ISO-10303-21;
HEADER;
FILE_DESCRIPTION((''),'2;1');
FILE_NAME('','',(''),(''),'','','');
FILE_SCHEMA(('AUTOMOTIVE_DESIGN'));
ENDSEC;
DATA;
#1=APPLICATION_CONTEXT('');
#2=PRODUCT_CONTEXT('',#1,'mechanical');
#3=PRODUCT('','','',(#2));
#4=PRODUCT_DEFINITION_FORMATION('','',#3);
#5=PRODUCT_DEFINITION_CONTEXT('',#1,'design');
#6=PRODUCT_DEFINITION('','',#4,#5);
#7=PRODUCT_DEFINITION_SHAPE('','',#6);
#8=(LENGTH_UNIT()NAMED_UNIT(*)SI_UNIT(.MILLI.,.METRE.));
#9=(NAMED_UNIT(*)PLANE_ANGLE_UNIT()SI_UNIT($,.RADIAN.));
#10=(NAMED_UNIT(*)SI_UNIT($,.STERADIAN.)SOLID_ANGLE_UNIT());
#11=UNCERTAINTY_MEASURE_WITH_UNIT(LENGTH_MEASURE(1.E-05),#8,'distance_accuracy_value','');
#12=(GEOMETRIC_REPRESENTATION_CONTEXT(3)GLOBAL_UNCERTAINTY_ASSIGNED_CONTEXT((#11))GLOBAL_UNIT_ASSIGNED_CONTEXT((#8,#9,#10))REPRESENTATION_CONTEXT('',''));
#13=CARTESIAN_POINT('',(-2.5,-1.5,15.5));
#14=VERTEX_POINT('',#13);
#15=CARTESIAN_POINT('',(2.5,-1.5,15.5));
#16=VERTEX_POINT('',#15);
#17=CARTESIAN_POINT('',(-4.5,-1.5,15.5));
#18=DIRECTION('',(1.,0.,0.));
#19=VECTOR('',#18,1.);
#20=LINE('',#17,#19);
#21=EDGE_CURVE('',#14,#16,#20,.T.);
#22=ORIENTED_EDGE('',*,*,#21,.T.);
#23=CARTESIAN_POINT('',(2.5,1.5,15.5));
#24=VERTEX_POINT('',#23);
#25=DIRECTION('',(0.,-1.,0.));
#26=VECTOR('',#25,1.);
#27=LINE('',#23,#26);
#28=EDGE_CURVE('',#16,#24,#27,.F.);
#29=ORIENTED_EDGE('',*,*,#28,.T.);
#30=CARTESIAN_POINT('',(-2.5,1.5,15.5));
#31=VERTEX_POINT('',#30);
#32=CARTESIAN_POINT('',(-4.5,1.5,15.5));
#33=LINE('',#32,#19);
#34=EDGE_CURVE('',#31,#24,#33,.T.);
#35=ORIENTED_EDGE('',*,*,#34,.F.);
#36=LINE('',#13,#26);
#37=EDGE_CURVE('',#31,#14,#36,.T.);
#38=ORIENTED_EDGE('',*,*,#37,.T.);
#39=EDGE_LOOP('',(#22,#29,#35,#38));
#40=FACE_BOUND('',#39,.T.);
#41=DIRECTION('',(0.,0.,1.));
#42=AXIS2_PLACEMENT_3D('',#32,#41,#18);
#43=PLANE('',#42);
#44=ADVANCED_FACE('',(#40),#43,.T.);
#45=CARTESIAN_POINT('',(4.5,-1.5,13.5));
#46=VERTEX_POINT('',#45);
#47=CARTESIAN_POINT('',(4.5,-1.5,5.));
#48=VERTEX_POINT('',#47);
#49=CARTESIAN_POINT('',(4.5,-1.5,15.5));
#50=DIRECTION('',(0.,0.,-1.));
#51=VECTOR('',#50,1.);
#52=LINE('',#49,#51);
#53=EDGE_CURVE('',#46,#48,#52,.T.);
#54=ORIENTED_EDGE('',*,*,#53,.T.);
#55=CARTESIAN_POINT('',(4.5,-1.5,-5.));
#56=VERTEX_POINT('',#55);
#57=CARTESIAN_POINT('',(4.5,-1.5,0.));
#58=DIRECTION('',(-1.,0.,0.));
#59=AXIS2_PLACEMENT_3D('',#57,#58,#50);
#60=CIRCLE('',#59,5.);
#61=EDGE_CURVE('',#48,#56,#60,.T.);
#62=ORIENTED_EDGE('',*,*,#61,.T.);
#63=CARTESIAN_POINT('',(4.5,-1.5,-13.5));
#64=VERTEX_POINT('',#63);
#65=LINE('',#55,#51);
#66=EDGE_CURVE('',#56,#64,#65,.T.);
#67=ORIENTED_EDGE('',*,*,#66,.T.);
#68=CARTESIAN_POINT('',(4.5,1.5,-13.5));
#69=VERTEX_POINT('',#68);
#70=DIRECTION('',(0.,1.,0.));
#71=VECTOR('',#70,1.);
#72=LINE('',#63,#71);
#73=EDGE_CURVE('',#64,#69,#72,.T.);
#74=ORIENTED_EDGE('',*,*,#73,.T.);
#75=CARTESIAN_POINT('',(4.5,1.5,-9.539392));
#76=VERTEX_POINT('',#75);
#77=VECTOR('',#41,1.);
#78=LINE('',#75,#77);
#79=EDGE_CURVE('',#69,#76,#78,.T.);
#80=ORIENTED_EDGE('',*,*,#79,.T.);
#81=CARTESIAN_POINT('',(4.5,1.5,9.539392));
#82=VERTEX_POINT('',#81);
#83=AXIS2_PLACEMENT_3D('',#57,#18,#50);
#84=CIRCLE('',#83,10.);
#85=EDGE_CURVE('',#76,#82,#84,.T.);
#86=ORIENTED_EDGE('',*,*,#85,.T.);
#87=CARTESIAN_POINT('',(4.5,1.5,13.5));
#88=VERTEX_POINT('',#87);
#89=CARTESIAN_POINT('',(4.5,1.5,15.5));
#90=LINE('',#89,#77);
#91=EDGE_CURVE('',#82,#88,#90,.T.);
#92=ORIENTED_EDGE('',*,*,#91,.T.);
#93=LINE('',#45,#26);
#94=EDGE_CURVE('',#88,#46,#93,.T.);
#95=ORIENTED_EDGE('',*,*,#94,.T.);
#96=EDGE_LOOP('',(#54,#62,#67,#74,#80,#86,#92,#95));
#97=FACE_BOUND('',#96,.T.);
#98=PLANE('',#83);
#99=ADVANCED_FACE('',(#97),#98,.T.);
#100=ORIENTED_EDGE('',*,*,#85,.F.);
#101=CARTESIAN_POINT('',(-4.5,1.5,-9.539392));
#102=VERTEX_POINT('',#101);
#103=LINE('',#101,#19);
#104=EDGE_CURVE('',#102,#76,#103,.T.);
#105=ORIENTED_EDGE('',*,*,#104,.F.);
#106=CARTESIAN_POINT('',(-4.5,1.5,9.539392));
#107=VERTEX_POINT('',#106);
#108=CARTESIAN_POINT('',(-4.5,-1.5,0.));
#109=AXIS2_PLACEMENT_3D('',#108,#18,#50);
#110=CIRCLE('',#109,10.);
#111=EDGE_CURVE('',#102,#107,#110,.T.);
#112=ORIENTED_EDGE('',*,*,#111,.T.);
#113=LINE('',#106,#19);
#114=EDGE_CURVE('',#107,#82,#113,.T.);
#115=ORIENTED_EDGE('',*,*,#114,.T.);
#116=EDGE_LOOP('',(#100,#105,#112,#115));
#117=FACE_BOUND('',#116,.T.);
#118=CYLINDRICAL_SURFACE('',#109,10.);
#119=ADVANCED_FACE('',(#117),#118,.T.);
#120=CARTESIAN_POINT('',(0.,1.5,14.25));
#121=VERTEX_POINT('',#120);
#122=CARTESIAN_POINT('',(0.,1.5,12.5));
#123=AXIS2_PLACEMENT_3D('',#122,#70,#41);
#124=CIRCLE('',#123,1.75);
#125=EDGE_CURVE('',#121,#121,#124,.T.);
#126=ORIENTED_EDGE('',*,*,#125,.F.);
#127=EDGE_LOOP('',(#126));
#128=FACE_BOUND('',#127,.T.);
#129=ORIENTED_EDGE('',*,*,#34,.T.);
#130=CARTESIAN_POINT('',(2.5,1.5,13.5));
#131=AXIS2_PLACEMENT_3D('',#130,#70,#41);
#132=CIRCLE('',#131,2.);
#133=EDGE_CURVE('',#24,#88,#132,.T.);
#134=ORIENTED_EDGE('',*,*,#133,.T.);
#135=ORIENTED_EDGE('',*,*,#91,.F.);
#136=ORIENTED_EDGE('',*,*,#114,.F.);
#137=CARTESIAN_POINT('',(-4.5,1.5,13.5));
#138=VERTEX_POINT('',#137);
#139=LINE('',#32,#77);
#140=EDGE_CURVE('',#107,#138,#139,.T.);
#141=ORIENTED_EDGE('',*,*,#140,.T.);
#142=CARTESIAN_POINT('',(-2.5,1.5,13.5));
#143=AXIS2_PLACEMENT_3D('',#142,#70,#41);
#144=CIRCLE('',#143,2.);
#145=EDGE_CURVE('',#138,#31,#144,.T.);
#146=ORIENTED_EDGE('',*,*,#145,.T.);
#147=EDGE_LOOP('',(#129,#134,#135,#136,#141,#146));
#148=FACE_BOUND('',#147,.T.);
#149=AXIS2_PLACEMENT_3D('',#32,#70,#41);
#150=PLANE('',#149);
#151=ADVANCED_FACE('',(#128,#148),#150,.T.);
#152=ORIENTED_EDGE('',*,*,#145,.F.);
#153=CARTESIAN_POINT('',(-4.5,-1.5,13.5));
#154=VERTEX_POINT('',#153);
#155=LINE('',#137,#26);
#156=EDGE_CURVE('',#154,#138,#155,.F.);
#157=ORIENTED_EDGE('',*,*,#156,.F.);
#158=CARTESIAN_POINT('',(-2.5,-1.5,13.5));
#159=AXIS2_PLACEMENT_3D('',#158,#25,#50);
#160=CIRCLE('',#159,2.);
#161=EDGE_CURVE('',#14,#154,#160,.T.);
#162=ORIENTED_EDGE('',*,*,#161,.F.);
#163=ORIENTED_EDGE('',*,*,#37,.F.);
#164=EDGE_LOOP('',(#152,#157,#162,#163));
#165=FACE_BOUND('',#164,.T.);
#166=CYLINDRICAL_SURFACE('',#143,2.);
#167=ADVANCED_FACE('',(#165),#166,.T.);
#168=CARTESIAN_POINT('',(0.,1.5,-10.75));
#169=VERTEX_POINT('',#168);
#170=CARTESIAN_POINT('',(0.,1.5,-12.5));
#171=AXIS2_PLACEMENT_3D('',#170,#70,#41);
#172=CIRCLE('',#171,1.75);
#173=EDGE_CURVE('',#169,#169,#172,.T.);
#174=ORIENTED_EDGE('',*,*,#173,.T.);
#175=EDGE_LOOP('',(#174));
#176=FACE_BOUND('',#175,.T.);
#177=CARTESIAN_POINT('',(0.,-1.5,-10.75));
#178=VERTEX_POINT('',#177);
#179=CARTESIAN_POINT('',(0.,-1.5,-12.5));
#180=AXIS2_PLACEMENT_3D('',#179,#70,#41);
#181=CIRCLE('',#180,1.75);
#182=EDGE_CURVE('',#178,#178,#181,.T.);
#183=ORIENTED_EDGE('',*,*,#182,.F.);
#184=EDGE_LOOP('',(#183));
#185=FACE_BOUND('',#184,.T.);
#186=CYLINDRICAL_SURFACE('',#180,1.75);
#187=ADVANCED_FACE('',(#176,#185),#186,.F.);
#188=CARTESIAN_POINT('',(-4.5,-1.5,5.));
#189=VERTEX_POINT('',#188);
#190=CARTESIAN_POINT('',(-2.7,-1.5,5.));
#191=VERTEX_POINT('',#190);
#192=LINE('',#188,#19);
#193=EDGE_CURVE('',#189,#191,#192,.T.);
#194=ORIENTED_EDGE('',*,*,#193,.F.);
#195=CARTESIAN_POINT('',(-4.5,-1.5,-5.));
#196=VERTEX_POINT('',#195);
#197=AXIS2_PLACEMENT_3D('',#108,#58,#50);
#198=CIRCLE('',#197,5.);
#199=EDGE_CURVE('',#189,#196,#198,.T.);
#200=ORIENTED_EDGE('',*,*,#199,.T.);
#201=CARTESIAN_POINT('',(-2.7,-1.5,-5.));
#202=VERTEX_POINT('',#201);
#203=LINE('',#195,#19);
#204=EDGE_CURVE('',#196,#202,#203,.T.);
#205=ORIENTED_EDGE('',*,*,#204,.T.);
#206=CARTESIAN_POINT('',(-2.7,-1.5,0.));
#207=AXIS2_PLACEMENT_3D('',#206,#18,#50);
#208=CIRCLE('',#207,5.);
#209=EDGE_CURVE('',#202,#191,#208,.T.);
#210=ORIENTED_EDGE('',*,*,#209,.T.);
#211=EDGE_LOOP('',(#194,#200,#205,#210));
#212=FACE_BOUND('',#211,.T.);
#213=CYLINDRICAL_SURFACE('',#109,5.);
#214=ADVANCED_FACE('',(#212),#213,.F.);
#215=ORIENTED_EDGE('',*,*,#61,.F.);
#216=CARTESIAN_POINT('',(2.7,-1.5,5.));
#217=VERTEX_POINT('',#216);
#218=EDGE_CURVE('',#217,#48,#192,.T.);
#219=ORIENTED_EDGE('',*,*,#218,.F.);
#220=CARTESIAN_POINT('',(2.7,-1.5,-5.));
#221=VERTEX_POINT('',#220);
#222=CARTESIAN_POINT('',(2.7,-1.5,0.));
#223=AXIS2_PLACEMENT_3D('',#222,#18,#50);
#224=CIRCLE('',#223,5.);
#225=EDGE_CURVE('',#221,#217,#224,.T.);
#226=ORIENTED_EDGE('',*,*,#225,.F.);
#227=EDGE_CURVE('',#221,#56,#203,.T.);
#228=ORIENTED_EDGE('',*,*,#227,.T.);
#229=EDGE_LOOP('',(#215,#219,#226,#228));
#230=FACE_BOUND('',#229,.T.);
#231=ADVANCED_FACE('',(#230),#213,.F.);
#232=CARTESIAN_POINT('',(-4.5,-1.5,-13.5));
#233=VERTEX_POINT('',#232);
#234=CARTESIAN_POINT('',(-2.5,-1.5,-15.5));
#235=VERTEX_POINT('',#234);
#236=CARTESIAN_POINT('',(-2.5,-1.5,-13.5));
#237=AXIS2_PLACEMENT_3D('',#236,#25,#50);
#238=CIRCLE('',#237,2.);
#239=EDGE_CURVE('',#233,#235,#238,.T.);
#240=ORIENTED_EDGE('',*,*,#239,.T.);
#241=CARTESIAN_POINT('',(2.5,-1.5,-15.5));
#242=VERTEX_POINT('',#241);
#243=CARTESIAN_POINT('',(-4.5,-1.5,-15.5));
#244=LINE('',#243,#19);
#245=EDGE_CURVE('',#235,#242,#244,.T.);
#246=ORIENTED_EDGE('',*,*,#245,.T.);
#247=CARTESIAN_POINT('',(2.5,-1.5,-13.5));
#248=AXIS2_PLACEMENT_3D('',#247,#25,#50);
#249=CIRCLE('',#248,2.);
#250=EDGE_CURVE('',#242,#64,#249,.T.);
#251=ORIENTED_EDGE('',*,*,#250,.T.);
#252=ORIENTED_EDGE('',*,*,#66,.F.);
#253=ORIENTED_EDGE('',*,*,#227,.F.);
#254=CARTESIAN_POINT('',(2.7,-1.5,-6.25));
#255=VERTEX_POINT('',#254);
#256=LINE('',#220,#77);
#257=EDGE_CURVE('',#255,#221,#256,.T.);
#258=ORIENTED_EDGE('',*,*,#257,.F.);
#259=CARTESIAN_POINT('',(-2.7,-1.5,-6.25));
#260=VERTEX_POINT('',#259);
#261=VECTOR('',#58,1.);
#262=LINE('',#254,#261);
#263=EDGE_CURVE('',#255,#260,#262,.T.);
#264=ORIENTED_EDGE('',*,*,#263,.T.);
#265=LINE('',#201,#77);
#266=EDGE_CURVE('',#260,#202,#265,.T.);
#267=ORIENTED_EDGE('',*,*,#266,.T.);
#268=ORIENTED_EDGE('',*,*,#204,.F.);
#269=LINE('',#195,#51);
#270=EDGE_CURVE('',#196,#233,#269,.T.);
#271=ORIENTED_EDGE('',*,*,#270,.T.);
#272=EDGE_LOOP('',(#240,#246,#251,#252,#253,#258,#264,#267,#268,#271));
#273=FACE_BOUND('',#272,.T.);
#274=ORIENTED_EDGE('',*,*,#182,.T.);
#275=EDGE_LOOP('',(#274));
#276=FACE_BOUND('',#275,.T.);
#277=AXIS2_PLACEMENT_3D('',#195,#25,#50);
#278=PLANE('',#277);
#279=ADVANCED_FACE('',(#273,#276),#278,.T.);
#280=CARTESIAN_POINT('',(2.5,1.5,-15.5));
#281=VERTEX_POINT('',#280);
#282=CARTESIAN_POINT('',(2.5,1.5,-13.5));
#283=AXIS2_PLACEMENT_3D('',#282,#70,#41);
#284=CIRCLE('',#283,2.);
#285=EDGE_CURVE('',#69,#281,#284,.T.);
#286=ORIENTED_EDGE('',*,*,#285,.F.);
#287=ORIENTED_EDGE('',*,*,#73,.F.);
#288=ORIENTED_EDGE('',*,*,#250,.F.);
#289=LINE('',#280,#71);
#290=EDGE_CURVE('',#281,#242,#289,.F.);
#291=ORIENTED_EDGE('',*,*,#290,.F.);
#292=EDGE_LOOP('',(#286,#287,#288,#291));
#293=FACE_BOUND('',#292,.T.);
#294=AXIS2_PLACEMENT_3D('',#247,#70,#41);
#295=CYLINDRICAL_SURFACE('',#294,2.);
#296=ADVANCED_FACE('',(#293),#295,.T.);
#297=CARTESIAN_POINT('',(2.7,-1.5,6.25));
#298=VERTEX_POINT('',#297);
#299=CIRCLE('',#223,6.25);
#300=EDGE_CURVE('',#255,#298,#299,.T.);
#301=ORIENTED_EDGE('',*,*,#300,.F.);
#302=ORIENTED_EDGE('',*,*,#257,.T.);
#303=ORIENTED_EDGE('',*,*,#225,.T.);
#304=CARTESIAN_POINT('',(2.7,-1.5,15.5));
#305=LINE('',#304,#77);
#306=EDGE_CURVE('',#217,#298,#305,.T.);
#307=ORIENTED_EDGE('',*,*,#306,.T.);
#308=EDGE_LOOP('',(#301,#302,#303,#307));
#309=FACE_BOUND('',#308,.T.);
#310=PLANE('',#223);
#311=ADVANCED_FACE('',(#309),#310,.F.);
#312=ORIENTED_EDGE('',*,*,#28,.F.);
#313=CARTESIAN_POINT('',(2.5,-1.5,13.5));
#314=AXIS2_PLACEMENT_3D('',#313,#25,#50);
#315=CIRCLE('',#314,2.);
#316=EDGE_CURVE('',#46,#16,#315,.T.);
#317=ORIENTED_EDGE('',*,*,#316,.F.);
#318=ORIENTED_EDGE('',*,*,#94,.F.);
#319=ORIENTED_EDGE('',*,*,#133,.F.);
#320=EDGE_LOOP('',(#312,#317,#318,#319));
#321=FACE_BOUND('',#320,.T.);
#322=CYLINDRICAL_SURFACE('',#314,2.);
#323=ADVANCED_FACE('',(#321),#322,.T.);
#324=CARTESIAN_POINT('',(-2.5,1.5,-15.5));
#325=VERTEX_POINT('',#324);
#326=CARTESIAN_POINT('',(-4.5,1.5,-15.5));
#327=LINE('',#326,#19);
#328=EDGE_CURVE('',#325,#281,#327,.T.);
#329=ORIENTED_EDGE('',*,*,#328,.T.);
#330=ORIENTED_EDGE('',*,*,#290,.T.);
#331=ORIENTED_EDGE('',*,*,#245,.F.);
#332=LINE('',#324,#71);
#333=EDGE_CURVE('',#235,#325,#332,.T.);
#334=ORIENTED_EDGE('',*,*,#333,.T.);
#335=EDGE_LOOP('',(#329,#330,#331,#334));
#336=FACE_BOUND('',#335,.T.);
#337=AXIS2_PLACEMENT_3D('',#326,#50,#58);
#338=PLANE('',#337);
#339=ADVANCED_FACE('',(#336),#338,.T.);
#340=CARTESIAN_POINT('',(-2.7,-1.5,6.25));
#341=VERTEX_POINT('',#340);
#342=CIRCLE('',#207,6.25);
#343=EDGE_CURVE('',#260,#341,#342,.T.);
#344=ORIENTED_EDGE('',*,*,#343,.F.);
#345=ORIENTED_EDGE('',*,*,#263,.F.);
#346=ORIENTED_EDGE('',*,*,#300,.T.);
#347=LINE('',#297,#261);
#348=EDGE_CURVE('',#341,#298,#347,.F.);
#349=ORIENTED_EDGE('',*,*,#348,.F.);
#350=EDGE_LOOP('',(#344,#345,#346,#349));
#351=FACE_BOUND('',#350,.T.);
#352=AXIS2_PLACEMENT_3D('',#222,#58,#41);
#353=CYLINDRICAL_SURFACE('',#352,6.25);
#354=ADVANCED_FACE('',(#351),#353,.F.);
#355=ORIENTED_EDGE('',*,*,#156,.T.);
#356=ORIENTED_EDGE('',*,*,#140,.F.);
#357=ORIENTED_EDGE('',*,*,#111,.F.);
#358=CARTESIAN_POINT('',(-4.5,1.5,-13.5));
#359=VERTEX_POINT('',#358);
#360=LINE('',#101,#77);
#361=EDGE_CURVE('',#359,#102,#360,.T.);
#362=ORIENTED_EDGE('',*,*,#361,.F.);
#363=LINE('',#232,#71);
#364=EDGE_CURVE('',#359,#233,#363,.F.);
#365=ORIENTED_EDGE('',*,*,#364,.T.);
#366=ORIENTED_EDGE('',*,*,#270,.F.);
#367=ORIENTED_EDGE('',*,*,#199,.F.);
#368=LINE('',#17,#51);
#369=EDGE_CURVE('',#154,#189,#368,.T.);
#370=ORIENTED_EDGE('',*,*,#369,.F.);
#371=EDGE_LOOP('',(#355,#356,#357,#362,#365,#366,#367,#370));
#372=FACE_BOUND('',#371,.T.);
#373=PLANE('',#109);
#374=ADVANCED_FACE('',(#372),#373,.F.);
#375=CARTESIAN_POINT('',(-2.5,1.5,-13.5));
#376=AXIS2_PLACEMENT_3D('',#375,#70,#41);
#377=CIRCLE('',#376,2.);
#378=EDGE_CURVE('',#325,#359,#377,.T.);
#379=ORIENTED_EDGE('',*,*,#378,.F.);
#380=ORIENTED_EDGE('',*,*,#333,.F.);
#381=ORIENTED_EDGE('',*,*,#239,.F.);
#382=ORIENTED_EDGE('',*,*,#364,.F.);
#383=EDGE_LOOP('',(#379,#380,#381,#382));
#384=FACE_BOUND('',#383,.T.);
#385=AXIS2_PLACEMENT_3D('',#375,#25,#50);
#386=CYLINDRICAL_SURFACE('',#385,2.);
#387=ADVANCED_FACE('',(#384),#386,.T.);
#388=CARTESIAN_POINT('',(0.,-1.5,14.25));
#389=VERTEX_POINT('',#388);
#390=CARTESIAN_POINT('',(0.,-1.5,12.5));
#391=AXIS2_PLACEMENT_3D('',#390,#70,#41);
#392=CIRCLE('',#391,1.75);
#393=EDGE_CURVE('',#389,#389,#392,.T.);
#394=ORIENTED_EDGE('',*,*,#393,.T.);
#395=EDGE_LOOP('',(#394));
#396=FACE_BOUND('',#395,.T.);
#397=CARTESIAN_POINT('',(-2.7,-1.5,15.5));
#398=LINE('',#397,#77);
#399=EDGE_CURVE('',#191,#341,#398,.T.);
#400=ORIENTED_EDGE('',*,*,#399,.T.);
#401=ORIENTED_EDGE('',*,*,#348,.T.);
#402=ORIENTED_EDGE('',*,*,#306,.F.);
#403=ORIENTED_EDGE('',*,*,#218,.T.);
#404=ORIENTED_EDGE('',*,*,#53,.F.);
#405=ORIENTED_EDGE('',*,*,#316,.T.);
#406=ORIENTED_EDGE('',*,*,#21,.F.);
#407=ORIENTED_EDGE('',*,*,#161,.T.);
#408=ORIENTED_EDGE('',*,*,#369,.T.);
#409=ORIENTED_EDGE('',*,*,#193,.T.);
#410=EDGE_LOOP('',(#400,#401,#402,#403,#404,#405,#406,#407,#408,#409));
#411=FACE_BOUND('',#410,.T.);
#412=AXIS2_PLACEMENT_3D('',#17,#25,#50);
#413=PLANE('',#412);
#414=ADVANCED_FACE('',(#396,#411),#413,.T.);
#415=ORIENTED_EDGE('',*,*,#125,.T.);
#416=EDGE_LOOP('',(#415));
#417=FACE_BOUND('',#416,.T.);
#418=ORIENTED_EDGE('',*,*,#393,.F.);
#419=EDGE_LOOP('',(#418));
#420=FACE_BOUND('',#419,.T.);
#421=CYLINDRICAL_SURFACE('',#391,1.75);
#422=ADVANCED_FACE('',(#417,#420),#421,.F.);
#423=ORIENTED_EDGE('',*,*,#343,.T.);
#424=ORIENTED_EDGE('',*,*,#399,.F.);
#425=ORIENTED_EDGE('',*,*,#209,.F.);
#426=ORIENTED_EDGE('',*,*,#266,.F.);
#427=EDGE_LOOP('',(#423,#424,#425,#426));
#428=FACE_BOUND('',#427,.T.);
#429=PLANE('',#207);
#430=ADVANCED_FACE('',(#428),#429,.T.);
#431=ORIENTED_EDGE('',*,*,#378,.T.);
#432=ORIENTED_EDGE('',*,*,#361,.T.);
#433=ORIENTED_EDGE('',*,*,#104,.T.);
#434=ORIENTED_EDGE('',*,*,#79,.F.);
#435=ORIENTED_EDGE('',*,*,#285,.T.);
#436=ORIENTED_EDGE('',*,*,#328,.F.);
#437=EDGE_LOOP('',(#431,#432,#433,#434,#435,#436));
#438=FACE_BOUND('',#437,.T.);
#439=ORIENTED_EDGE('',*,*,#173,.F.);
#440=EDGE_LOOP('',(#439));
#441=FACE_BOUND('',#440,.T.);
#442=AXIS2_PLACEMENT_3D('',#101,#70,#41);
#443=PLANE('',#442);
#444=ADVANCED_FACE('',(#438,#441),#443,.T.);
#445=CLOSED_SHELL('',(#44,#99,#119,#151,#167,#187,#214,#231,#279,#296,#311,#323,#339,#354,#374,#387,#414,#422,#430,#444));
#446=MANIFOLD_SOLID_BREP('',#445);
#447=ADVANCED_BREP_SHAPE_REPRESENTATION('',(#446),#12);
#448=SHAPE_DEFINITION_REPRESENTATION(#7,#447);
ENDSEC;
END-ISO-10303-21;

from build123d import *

# Parameters (mm, degrees)
BOSS_EXTRUDE1_DEPTH      = 4.5
BOSS_EXTRUDE1_DEPTH_BACK = 4.5
SKETCH3_R                = 1.75
CUT_EXTRUDE1_DEPTH       = 18.592612086
FILLET1_R                = 2
CUT_EXTRUDE2_DEPTH       = 2.7
CUT_EXTRUDE2_DEPTH_BACK  = 2.7
SKETCH4_R                = 6.25


with BuildPart() as part:
    # Sketch2 → Boss-Extrude1 (new, two sides: drawn at the far end of the back side and taken through both)
    with BuildSketch(Plane(origin=(0, 0, 0), x_dir=(0, 0, -1), z_dir=(1, 0, 0)).offset(-BOSS_EXTRUDE1_DEPTH_BACK)):
        with BuildLine():
            Line((9.539392014, 1.5), (15.5, 1.5))
            Line((15.5, 1.5), (15.5, -1.5))
            Line((15.5, -1.5), (5, -1.5))
            ThreePointArc((5, -1.5), (0, 3.5), (-5, -1.5))
            Line((-5, -1.5), (-15.5, -1.5))
            Line((-15.5, -1.5), (-15.5, 1.5))
            Line((-15.5, 1.5), (-9.539392014, 1.5))
            ThreePointArc((-9.539392014, 1.5), (0, 8.5), (9.539392014, 1.5))
        make_face()
    extrude(amount=BOSS_EXTRUDE1_DEPTH + BOSS_EXTRUDE1_DEPTH_BACK)

    # Sketch3 → Cut-Extrude1 (cut, through all)
    with BuildSketch(Plane(origin=(0, 1.5, 0), x_dir=(1, 0, 0), z_dir=(0, 1, 0))):
        with Locations((0, 12.5)):
            Circle(SKETCH3_R)
        with Locations((0, -12.5)):
            Circle(SKETCH3_R)
    extrude(amount=-CUT_EXTRUDE1_DEPTH, mode=Mode.SUBTRACT)

    # Fillet1
    fillet1_edges = [part.edges().sort_by_distance(p)[0] for p in [
        (4.5, 0, 15.5),
        (-4.5, 0, 15.5),
        (4.5, 0, -15.5),
        (-4.5, 0, -15.5),
    ]]
    fillet(fillet1_edges, radius=FILLET1_R)

    # Sketch4 → Cut-Extrude2 (cut, two sides: drawn at the far end of the back side and taken through both)
    with BuildSketch(Plane(origin=(0, 0, 0), x_dir=(0, 0, -1), z_dir=(1, 0, 0)).offset(-CUT_EXTRUDE2_DEPTH_BACK)):
        with Locations((0, -1.5)):
            Circle(SKETCH4_R)
    extrude(amount=CUT_EXTRUDE2_DEPTH + CUT_EXTRUDE2_DEPTH_BACK, mode=Mode.SUBTRACT)


solid = part.part
